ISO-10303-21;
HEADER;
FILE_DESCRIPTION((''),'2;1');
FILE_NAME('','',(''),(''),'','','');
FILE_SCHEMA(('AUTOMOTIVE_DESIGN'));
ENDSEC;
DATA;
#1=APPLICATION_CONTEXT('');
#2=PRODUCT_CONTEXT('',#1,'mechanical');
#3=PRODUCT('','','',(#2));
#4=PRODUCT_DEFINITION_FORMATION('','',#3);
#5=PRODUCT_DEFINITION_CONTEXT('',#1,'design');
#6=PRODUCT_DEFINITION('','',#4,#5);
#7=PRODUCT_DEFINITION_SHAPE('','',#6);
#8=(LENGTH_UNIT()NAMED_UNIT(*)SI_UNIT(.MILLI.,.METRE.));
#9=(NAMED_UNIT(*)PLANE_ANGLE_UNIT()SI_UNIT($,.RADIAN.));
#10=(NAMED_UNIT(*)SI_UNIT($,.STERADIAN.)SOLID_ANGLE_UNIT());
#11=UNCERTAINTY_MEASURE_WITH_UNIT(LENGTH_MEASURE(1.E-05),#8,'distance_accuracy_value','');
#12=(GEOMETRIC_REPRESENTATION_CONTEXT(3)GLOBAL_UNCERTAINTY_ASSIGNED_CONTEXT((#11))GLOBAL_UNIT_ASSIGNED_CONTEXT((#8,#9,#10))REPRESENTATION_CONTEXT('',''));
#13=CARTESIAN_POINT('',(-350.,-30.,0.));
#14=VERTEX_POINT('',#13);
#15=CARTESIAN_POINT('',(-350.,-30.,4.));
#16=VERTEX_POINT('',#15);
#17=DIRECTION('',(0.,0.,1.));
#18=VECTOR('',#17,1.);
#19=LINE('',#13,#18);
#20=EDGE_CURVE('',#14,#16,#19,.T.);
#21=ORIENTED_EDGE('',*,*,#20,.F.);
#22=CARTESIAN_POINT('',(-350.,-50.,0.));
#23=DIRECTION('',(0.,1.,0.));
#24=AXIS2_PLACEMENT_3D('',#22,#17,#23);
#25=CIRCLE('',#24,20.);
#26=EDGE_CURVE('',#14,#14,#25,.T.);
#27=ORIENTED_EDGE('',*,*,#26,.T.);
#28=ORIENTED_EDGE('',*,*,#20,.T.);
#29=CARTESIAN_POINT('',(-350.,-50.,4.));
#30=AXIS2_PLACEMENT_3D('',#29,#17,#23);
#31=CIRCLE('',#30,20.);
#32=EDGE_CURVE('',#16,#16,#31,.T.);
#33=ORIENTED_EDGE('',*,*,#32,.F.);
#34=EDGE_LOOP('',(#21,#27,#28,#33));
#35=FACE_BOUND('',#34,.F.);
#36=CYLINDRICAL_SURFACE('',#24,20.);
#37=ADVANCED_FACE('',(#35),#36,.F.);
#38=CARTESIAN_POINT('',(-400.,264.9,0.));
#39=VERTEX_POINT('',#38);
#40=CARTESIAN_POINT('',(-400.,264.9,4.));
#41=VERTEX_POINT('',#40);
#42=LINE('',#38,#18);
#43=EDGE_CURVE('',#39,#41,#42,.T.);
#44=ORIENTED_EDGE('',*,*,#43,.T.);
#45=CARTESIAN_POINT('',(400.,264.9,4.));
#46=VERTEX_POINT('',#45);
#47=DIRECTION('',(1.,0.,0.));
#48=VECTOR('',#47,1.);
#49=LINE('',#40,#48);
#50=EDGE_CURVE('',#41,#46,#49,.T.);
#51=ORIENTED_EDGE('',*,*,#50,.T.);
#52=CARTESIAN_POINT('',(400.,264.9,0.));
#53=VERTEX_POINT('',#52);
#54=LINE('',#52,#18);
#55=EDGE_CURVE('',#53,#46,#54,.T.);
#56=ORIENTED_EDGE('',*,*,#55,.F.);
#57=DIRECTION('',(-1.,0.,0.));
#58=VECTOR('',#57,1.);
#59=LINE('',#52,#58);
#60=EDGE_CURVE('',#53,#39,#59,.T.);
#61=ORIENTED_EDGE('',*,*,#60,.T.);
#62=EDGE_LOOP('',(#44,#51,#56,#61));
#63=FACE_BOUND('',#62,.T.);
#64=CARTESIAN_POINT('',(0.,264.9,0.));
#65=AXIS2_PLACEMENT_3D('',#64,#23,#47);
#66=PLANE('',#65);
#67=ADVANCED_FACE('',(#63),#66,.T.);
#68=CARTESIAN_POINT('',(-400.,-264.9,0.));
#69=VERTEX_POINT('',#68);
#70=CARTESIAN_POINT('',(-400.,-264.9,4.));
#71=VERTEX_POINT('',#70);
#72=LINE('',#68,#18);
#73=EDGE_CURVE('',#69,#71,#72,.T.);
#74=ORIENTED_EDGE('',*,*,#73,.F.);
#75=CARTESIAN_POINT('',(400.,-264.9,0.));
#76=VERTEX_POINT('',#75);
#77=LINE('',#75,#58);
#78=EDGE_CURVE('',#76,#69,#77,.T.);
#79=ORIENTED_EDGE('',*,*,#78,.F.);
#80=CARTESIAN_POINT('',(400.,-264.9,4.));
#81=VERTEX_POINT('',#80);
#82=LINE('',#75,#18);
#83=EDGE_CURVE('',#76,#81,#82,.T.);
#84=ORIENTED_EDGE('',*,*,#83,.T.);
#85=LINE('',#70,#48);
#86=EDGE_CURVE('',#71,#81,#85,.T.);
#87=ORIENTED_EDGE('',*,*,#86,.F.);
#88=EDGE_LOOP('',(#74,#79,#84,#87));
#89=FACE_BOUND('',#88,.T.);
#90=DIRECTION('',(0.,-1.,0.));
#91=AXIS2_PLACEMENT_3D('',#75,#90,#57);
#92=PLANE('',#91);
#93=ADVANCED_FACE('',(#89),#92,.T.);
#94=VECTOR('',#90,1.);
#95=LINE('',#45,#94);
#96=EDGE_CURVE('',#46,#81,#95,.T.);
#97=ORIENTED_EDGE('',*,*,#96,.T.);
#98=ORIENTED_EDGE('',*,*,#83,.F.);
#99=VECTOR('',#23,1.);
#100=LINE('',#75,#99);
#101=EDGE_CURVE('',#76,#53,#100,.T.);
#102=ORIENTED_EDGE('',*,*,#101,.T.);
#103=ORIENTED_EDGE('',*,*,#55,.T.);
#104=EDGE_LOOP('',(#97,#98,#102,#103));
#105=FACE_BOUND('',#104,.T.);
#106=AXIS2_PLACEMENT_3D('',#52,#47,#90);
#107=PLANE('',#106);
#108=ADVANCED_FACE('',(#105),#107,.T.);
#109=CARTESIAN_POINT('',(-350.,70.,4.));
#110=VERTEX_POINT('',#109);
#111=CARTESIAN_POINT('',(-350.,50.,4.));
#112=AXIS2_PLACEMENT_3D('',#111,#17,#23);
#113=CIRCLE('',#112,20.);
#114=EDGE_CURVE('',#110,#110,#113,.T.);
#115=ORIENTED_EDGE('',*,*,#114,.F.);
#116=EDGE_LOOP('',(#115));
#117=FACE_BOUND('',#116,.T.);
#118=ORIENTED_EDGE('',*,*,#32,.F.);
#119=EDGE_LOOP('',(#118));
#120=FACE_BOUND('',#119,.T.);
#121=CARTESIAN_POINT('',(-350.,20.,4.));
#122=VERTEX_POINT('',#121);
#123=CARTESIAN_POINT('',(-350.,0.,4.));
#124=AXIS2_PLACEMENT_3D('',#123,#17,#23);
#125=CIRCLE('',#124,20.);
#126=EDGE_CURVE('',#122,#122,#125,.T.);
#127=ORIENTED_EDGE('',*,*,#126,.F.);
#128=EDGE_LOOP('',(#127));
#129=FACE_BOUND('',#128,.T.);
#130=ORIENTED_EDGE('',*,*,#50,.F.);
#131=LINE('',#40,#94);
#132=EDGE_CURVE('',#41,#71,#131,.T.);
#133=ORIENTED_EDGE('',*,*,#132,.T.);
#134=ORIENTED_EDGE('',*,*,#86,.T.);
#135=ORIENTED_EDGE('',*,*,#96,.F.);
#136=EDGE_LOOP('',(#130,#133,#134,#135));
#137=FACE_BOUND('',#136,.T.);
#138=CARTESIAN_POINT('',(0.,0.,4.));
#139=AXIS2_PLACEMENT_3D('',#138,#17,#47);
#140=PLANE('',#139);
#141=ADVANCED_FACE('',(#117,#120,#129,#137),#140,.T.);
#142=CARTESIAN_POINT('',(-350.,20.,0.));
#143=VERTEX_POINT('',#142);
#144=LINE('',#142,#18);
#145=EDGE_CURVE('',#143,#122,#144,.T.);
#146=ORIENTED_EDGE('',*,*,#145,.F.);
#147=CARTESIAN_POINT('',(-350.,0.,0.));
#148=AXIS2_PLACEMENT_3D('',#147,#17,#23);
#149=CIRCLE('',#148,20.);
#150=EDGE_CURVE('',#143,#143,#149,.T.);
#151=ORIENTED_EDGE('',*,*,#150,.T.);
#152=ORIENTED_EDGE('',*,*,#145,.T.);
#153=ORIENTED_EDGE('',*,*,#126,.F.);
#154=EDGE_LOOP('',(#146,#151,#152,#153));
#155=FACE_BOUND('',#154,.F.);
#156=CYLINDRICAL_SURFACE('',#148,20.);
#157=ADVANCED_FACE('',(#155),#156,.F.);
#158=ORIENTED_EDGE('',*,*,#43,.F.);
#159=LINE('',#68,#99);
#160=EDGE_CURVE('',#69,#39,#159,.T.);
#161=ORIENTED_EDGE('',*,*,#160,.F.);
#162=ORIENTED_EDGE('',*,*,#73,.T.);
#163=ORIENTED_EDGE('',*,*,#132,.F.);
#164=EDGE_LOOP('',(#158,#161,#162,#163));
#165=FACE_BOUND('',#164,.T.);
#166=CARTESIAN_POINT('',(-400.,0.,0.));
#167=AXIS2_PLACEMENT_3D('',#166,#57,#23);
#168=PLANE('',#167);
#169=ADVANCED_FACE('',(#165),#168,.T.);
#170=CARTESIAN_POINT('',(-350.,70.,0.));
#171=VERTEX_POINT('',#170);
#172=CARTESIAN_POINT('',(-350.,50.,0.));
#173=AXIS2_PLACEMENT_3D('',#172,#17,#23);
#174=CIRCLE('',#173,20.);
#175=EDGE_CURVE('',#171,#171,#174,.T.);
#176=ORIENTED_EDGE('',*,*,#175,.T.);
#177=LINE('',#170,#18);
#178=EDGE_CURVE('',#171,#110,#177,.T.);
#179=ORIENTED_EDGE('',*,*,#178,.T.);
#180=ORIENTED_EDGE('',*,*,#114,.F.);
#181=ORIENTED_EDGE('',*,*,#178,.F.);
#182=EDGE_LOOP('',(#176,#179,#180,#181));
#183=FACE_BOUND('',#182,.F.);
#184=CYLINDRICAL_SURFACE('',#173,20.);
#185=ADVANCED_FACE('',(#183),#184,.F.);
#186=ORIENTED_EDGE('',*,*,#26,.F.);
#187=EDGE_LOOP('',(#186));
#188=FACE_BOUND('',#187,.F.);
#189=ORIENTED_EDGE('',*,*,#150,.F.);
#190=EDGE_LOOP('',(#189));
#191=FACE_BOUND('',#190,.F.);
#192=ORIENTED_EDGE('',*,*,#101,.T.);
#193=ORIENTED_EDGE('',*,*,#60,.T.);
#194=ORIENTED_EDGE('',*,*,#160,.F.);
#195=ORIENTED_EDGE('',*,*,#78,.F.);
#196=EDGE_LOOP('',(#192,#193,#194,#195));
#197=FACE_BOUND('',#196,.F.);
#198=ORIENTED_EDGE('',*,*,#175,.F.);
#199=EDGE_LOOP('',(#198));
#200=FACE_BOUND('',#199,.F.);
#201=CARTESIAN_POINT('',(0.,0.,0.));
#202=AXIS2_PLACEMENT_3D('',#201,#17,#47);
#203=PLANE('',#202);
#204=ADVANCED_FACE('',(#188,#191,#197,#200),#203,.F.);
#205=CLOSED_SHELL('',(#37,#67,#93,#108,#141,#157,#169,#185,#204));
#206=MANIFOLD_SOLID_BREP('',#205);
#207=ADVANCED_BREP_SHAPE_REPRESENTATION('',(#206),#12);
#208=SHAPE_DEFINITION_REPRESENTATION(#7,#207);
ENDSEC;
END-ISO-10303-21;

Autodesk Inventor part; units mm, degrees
ref_plane "YZ Plane" through (0, 0, 0) normal (1, 0, 0) x (0, 1, 0)
ref_plane "XZ Plane" through (0, 0, 0) normal (0, 1, 0) x (-1, 0, 0)
ref_plane "XY Plane" through (0, 0, 0) normal (0, 0, 1) x (1, 0, 0)
sketch "Skizze1" plane through (0, 0, 0) normal (0, 0, 1) x (1, 0, 0)
  line L0 (0, 370.86) -> (0, -370.86) projected
  line L1 (-560, 0) -> (560, 0) projected
  line L2 (400, -264.9) -> (-400, -264.9)
  line L3 (-400, -264.9) -> (-400, 264.9)
  line L4 (-400, 264.9) -> (400, 264.9)
  line L5 (400, 264.9) -> (400, -264.9)
  point P0 (0, 0)
  point P1 (0, -264.9)
  point P2 (-400, 0)
  dimension "d0" = 800
  dimension "d1" = 529.8
extrude "Extrusion1" add sketch "Skizze1" along normal blind 4
sketch "Skizze2" plane through (0, 0, 0) normal (0, 0, -1) x (-1, 0, 0)
  line L0 (400, 264.9) -> (400, -264.9) projected
  line L1 (-400, 264.9) -> (400, 264.9) projected
  point P0 (0, 0)
  point P1 (350, 50)
  point P2 (350, 0)
  point P3 (350, -50)
  dimension "d4" = 50
  dimension "d5" = 50
  dimension "d6" = 50
  dimension "d7" = 50
  dimension "d8" = 50
  dimension "d9" = 264.9
hole "Bohrung1" at (-350, 50, 0) at (-350, 0, 0) at (-350, -50, 0) direction (0, 0, 1) diameter 40 end through all
equation "\"d5\" = d4"
equation "\"d6\" = d5"
equation "\"d8\" = d7"
properties part number "Käfigboden" material "PVC-U"
